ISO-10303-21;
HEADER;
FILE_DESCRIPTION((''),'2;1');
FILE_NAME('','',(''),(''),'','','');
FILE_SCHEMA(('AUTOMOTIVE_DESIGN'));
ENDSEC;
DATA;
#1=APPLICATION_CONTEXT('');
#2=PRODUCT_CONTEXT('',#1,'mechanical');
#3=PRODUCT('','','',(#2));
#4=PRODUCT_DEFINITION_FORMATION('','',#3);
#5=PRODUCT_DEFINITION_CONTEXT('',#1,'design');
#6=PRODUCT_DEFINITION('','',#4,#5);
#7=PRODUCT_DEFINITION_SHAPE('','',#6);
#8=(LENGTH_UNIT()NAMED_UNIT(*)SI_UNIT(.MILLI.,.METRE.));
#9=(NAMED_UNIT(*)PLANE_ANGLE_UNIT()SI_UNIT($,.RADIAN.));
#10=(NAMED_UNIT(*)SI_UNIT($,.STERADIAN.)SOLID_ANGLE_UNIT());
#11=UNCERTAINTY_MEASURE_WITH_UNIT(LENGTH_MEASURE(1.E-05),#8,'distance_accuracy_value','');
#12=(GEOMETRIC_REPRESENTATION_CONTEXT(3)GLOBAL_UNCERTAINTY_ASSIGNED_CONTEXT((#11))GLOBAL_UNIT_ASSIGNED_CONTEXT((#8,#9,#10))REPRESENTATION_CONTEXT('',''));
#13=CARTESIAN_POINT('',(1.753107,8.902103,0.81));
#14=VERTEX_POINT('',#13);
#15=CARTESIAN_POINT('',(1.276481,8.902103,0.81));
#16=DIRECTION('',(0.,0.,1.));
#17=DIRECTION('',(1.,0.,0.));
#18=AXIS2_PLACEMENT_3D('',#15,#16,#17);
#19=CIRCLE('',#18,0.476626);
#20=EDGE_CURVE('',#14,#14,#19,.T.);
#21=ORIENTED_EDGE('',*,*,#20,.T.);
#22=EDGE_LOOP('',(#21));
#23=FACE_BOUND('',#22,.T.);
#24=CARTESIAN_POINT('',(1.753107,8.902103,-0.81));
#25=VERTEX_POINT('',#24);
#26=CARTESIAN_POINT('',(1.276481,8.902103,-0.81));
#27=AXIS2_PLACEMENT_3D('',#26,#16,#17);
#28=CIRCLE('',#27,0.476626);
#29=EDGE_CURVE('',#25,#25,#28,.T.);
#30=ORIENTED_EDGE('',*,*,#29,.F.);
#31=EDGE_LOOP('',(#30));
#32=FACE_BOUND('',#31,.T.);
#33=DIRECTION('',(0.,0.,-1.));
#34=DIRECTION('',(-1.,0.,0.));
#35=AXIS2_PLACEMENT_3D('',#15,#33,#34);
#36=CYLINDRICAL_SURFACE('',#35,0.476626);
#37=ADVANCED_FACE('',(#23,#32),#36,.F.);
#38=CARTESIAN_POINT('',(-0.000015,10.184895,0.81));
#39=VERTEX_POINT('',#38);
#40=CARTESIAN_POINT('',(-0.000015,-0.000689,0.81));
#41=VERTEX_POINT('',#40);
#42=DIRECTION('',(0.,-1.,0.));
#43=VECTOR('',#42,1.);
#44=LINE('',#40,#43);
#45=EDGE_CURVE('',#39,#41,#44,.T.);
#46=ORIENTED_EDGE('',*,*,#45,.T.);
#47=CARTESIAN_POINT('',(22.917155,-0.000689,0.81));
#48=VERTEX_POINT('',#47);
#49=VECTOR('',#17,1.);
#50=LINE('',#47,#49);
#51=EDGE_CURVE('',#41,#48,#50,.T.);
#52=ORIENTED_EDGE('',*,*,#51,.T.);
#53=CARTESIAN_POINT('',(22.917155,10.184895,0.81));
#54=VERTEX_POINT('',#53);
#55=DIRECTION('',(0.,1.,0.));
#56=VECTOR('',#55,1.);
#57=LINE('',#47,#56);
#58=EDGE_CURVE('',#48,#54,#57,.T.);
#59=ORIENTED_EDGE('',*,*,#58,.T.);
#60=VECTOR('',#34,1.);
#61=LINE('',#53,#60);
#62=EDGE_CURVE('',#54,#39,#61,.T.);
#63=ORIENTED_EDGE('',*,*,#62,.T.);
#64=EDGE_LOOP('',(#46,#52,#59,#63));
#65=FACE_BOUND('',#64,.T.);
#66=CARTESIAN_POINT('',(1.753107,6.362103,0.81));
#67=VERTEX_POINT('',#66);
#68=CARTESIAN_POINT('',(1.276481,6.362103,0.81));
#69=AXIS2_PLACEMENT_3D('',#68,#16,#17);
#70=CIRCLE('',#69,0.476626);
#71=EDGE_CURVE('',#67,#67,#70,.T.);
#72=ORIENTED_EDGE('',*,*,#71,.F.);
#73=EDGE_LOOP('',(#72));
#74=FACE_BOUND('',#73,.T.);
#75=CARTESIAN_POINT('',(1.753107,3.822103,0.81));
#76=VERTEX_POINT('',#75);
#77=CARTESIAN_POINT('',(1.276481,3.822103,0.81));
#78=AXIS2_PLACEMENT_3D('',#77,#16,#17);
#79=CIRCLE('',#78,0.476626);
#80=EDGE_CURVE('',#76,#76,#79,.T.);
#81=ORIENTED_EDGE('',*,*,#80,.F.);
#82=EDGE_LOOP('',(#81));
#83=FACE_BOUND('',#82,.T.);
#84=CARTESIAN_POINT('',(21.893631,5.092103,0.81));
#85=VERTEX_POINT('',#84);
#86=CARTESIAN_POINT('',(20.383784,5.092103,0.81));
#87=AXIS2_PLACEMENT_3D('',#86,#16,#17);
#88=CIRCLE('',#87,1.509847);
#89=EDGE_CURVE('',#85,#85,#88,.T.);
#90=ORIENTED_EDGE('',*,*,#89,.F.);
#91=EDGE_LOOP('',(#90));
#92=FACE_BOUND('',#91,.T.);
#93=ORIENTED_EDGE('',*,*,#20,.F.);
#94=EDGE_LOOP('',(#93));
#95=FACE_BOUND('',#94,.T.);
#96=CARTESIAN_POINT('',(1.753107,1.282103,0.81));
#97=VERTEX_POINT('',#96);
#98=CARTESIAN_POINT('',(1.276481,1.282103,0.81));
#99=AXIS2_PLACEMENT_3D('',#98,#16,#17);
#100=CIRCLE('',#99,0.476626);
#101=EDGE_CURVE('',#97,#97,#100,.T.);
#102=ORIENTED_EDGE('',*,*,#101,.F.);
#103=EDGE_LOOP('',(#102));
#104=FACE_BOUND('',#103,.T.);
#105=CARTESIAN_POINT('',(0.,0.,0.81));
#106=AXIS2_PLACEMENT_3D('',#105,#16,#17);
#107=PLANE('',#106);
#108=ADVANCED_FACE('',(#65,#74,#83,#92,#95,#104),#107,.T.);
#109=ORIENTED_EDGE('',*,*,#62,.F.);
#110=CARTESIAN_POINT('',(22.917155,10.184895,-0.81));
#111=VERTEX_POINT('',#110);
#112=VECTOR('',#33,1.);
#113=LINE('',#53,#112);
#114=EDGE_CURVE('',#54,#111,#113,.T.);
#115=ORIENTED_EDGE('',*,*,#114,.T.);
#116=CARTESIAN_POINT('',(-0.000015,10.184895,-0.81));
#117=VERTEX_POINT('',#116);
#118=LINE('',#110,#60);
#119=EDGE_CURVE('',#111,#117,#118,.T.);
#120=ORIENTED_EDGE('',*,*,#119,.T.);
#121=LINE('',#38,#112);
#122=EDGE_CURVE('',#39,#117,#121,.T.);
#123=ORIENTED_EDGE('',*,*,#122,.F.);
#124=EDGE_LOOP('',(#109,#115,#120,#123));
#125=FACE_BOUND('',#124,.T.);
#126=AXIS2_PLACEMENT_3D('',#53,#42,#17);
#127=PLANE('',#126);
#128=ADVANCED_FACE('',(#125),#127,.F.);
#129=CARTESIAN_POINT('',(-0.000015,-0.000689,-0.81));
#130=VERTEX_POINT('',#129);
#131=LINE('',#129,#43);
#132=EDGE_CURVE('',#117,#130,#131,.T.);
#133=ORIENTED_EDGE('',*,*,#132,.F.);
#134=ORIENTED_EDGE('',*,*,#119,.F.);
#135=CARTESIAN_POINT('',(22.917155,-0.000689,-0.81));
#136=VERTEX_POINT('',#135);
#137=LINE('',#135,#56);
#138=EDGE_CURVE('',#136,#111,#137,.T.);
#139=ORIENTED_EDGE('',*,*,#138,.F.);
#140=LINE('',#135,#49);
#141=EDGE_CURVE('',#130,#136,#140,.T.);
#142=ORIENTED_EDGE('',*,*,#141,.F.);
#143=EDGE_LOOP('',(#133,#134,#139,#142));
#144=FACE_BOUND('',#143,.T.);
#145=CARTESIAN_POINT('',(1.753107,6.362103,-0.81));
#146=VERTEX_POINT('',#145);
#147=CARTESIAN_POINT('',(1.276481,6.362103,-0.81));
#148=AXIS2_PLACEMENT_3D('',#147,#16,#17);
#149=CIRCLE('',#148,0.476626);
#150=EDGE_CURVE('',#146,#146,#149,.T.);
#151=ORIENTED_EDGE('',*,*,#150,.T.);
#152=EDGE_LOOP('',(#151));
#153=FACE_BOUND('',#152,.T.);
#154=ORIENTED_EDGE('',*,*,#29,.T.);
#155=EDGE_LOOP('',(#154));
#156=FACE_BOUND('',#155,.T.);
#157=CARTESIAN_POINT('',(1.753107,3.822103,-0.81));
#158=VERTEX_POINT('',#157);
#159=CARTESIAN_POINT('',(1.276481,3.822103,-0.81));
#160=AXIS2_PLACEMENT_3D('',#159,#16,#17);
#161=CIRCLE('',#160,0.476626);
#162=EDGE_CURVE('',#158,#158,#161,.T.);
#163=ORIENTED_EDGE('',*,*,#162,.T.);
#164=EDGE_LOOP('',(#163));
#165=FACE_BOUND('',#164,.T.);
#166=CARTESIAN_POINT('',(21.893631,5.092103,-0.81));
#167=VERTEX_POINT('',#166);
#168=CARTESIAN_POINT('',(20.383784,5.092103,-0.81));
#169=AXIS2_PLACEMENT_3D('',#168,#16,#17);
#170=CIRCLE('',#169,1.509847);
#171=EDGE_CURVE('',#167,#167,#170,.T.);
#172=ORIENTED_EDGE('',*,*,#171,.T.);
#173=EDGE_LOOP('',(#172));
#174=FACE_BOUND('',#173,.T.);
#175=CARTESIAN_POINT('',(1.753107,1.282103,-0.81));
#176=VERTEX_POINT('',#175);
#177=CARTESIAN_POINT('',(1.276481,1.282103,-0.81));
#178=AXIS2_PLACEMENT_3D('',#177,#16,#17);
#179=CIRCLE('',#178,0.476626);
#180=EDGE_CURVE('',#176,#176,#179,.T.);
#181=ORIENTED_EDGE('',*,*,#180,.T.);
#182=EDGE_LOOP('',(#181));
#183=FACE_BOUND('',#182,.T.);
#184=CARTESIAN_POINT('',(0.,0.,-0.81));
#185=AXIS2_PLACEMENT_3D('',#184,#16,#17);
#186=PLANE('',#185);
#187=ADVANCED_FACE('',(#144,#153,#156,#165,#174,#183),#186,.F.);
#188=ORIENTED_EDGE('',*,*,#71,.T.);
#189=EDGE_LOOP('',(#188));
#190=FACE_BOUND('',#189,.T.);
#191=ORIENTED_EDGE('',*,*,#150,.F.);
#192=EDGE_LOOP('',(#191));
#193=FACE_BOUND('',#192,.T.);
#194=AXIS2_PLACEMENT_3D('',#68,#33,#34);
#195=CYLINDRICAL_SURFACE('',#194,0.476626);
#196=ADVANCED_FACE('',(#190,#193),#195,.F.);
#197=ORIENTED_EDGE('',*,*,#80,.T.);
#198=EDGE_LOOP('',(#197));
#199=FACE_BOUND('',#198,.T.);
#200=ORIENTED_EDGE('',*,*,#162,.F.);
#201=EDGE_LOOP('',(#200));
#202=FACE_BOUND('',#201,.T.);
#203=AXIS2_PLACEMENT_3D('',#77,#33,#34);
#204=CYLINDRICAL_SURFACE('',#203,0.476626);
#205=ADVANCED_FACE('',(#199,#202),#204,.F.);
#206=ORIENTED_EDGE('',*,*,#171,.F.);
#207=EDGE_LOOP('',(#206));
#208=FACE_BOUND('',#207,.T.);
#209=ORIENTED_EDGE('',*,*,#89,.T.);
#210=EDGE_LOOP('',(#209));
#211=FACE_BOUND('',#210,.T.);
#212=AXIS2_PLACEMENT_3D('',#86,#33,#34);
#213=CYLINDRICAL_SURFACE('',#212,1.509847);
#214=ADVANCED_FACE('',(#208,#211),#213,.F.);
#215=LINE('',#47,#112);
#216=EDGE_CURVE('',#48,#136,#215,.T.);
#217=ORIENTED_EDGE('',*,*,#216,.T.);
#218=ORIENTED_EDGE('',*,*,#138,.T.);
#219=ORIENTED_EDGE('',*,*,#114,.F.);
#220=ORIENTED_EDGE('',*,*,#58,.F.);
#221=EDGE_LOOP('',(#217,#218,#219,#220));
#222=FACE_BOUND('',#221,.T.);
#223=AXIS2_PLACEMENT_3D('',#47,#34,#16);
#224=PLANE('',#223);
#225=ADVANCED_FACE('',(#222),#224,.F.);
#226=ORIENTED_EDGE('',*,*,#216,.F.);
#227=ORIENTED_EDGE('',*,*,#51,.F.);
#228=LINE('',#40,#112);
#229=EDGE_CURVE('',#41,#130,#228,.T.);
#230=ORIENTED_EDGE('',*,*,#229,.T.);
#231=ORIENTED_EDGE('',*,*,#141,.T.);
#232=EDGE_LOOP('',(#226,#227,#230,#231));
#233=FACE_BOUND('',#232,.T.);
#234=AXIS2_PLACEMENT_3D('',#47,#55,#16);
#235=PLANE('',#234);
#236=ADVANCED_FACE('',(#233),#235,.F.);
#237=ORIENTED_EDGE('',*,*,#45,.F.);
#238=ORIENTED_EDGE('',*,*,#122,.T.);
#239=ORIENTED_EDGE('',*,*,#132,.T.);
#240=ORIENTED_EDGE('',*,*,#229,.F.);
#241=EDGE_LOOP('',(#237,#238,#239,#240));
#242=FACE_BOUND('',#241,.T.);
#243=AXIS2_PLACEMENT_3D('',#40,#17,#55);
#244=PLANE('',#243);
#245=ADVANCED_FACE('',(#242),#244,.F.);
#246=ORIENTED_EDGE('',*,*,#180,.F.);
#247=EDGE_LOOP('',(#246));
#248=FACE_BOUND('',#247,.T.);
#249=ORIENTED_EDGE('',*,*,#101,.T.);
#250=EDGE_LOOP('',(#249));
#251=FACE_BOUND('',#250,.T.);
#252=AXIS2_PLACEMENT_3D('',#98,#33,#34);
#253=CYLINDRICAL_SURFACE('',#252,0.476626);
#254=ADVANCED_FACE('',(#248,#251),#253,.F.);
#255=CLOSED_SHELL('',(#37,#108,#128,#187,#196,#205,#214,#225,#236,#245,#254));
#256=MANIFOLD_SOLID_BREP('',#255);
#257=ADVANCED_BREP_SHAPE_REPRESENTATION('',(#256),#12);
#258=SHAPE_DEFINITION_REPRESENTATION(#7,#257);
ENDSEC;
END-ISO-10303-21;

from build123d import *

# Parameters (mm, degrees)
SKETCH1_W           = 22.917169521
SKETCH1_H           = 10.185584258
SKETCH1_R           = 1.509847023
SKETCH1_R_2         = 0.476625594
BOSS_EXTRUDE1_DEPTH = 0.81


with BuildPart() as part:
    # Sketch1 → Boss-Extrude1 (new, symmetric)
    with BuildSketch(Plane.XY):
        with Locations((11.45856993, 5.092103028)):
            Rectangle(SKETCH1_W, SKETCH1_H)
        with Locations((20.383783826, 5.092103028)):
            Circle(SKETCH1_R, mode=Mode.SUBTRACT)
        with Locations((1.27648108, 8.902103028)):
            Circle(SKETCH1_R_2, mode=Mode.SUBTRACT)
        with Locations((1.27648108, 6.362103028)):
            Circle(SKETCH1_R_2, mode=Mode.SUBTRACT)
        with Locations((1.27648108, 3.822103028)):
            Circle(SKETCH1_R_2, mode=Mode.SUBTRACT)
        with Locations((1.27648108, 1.282103028)):
            Circle(SKETCH1_R_2, mode=Mode.SUBTRACT)
    extrude(amount=BOSS_EXTRUDE1_DEPTH, both=True)


solid = part.part
